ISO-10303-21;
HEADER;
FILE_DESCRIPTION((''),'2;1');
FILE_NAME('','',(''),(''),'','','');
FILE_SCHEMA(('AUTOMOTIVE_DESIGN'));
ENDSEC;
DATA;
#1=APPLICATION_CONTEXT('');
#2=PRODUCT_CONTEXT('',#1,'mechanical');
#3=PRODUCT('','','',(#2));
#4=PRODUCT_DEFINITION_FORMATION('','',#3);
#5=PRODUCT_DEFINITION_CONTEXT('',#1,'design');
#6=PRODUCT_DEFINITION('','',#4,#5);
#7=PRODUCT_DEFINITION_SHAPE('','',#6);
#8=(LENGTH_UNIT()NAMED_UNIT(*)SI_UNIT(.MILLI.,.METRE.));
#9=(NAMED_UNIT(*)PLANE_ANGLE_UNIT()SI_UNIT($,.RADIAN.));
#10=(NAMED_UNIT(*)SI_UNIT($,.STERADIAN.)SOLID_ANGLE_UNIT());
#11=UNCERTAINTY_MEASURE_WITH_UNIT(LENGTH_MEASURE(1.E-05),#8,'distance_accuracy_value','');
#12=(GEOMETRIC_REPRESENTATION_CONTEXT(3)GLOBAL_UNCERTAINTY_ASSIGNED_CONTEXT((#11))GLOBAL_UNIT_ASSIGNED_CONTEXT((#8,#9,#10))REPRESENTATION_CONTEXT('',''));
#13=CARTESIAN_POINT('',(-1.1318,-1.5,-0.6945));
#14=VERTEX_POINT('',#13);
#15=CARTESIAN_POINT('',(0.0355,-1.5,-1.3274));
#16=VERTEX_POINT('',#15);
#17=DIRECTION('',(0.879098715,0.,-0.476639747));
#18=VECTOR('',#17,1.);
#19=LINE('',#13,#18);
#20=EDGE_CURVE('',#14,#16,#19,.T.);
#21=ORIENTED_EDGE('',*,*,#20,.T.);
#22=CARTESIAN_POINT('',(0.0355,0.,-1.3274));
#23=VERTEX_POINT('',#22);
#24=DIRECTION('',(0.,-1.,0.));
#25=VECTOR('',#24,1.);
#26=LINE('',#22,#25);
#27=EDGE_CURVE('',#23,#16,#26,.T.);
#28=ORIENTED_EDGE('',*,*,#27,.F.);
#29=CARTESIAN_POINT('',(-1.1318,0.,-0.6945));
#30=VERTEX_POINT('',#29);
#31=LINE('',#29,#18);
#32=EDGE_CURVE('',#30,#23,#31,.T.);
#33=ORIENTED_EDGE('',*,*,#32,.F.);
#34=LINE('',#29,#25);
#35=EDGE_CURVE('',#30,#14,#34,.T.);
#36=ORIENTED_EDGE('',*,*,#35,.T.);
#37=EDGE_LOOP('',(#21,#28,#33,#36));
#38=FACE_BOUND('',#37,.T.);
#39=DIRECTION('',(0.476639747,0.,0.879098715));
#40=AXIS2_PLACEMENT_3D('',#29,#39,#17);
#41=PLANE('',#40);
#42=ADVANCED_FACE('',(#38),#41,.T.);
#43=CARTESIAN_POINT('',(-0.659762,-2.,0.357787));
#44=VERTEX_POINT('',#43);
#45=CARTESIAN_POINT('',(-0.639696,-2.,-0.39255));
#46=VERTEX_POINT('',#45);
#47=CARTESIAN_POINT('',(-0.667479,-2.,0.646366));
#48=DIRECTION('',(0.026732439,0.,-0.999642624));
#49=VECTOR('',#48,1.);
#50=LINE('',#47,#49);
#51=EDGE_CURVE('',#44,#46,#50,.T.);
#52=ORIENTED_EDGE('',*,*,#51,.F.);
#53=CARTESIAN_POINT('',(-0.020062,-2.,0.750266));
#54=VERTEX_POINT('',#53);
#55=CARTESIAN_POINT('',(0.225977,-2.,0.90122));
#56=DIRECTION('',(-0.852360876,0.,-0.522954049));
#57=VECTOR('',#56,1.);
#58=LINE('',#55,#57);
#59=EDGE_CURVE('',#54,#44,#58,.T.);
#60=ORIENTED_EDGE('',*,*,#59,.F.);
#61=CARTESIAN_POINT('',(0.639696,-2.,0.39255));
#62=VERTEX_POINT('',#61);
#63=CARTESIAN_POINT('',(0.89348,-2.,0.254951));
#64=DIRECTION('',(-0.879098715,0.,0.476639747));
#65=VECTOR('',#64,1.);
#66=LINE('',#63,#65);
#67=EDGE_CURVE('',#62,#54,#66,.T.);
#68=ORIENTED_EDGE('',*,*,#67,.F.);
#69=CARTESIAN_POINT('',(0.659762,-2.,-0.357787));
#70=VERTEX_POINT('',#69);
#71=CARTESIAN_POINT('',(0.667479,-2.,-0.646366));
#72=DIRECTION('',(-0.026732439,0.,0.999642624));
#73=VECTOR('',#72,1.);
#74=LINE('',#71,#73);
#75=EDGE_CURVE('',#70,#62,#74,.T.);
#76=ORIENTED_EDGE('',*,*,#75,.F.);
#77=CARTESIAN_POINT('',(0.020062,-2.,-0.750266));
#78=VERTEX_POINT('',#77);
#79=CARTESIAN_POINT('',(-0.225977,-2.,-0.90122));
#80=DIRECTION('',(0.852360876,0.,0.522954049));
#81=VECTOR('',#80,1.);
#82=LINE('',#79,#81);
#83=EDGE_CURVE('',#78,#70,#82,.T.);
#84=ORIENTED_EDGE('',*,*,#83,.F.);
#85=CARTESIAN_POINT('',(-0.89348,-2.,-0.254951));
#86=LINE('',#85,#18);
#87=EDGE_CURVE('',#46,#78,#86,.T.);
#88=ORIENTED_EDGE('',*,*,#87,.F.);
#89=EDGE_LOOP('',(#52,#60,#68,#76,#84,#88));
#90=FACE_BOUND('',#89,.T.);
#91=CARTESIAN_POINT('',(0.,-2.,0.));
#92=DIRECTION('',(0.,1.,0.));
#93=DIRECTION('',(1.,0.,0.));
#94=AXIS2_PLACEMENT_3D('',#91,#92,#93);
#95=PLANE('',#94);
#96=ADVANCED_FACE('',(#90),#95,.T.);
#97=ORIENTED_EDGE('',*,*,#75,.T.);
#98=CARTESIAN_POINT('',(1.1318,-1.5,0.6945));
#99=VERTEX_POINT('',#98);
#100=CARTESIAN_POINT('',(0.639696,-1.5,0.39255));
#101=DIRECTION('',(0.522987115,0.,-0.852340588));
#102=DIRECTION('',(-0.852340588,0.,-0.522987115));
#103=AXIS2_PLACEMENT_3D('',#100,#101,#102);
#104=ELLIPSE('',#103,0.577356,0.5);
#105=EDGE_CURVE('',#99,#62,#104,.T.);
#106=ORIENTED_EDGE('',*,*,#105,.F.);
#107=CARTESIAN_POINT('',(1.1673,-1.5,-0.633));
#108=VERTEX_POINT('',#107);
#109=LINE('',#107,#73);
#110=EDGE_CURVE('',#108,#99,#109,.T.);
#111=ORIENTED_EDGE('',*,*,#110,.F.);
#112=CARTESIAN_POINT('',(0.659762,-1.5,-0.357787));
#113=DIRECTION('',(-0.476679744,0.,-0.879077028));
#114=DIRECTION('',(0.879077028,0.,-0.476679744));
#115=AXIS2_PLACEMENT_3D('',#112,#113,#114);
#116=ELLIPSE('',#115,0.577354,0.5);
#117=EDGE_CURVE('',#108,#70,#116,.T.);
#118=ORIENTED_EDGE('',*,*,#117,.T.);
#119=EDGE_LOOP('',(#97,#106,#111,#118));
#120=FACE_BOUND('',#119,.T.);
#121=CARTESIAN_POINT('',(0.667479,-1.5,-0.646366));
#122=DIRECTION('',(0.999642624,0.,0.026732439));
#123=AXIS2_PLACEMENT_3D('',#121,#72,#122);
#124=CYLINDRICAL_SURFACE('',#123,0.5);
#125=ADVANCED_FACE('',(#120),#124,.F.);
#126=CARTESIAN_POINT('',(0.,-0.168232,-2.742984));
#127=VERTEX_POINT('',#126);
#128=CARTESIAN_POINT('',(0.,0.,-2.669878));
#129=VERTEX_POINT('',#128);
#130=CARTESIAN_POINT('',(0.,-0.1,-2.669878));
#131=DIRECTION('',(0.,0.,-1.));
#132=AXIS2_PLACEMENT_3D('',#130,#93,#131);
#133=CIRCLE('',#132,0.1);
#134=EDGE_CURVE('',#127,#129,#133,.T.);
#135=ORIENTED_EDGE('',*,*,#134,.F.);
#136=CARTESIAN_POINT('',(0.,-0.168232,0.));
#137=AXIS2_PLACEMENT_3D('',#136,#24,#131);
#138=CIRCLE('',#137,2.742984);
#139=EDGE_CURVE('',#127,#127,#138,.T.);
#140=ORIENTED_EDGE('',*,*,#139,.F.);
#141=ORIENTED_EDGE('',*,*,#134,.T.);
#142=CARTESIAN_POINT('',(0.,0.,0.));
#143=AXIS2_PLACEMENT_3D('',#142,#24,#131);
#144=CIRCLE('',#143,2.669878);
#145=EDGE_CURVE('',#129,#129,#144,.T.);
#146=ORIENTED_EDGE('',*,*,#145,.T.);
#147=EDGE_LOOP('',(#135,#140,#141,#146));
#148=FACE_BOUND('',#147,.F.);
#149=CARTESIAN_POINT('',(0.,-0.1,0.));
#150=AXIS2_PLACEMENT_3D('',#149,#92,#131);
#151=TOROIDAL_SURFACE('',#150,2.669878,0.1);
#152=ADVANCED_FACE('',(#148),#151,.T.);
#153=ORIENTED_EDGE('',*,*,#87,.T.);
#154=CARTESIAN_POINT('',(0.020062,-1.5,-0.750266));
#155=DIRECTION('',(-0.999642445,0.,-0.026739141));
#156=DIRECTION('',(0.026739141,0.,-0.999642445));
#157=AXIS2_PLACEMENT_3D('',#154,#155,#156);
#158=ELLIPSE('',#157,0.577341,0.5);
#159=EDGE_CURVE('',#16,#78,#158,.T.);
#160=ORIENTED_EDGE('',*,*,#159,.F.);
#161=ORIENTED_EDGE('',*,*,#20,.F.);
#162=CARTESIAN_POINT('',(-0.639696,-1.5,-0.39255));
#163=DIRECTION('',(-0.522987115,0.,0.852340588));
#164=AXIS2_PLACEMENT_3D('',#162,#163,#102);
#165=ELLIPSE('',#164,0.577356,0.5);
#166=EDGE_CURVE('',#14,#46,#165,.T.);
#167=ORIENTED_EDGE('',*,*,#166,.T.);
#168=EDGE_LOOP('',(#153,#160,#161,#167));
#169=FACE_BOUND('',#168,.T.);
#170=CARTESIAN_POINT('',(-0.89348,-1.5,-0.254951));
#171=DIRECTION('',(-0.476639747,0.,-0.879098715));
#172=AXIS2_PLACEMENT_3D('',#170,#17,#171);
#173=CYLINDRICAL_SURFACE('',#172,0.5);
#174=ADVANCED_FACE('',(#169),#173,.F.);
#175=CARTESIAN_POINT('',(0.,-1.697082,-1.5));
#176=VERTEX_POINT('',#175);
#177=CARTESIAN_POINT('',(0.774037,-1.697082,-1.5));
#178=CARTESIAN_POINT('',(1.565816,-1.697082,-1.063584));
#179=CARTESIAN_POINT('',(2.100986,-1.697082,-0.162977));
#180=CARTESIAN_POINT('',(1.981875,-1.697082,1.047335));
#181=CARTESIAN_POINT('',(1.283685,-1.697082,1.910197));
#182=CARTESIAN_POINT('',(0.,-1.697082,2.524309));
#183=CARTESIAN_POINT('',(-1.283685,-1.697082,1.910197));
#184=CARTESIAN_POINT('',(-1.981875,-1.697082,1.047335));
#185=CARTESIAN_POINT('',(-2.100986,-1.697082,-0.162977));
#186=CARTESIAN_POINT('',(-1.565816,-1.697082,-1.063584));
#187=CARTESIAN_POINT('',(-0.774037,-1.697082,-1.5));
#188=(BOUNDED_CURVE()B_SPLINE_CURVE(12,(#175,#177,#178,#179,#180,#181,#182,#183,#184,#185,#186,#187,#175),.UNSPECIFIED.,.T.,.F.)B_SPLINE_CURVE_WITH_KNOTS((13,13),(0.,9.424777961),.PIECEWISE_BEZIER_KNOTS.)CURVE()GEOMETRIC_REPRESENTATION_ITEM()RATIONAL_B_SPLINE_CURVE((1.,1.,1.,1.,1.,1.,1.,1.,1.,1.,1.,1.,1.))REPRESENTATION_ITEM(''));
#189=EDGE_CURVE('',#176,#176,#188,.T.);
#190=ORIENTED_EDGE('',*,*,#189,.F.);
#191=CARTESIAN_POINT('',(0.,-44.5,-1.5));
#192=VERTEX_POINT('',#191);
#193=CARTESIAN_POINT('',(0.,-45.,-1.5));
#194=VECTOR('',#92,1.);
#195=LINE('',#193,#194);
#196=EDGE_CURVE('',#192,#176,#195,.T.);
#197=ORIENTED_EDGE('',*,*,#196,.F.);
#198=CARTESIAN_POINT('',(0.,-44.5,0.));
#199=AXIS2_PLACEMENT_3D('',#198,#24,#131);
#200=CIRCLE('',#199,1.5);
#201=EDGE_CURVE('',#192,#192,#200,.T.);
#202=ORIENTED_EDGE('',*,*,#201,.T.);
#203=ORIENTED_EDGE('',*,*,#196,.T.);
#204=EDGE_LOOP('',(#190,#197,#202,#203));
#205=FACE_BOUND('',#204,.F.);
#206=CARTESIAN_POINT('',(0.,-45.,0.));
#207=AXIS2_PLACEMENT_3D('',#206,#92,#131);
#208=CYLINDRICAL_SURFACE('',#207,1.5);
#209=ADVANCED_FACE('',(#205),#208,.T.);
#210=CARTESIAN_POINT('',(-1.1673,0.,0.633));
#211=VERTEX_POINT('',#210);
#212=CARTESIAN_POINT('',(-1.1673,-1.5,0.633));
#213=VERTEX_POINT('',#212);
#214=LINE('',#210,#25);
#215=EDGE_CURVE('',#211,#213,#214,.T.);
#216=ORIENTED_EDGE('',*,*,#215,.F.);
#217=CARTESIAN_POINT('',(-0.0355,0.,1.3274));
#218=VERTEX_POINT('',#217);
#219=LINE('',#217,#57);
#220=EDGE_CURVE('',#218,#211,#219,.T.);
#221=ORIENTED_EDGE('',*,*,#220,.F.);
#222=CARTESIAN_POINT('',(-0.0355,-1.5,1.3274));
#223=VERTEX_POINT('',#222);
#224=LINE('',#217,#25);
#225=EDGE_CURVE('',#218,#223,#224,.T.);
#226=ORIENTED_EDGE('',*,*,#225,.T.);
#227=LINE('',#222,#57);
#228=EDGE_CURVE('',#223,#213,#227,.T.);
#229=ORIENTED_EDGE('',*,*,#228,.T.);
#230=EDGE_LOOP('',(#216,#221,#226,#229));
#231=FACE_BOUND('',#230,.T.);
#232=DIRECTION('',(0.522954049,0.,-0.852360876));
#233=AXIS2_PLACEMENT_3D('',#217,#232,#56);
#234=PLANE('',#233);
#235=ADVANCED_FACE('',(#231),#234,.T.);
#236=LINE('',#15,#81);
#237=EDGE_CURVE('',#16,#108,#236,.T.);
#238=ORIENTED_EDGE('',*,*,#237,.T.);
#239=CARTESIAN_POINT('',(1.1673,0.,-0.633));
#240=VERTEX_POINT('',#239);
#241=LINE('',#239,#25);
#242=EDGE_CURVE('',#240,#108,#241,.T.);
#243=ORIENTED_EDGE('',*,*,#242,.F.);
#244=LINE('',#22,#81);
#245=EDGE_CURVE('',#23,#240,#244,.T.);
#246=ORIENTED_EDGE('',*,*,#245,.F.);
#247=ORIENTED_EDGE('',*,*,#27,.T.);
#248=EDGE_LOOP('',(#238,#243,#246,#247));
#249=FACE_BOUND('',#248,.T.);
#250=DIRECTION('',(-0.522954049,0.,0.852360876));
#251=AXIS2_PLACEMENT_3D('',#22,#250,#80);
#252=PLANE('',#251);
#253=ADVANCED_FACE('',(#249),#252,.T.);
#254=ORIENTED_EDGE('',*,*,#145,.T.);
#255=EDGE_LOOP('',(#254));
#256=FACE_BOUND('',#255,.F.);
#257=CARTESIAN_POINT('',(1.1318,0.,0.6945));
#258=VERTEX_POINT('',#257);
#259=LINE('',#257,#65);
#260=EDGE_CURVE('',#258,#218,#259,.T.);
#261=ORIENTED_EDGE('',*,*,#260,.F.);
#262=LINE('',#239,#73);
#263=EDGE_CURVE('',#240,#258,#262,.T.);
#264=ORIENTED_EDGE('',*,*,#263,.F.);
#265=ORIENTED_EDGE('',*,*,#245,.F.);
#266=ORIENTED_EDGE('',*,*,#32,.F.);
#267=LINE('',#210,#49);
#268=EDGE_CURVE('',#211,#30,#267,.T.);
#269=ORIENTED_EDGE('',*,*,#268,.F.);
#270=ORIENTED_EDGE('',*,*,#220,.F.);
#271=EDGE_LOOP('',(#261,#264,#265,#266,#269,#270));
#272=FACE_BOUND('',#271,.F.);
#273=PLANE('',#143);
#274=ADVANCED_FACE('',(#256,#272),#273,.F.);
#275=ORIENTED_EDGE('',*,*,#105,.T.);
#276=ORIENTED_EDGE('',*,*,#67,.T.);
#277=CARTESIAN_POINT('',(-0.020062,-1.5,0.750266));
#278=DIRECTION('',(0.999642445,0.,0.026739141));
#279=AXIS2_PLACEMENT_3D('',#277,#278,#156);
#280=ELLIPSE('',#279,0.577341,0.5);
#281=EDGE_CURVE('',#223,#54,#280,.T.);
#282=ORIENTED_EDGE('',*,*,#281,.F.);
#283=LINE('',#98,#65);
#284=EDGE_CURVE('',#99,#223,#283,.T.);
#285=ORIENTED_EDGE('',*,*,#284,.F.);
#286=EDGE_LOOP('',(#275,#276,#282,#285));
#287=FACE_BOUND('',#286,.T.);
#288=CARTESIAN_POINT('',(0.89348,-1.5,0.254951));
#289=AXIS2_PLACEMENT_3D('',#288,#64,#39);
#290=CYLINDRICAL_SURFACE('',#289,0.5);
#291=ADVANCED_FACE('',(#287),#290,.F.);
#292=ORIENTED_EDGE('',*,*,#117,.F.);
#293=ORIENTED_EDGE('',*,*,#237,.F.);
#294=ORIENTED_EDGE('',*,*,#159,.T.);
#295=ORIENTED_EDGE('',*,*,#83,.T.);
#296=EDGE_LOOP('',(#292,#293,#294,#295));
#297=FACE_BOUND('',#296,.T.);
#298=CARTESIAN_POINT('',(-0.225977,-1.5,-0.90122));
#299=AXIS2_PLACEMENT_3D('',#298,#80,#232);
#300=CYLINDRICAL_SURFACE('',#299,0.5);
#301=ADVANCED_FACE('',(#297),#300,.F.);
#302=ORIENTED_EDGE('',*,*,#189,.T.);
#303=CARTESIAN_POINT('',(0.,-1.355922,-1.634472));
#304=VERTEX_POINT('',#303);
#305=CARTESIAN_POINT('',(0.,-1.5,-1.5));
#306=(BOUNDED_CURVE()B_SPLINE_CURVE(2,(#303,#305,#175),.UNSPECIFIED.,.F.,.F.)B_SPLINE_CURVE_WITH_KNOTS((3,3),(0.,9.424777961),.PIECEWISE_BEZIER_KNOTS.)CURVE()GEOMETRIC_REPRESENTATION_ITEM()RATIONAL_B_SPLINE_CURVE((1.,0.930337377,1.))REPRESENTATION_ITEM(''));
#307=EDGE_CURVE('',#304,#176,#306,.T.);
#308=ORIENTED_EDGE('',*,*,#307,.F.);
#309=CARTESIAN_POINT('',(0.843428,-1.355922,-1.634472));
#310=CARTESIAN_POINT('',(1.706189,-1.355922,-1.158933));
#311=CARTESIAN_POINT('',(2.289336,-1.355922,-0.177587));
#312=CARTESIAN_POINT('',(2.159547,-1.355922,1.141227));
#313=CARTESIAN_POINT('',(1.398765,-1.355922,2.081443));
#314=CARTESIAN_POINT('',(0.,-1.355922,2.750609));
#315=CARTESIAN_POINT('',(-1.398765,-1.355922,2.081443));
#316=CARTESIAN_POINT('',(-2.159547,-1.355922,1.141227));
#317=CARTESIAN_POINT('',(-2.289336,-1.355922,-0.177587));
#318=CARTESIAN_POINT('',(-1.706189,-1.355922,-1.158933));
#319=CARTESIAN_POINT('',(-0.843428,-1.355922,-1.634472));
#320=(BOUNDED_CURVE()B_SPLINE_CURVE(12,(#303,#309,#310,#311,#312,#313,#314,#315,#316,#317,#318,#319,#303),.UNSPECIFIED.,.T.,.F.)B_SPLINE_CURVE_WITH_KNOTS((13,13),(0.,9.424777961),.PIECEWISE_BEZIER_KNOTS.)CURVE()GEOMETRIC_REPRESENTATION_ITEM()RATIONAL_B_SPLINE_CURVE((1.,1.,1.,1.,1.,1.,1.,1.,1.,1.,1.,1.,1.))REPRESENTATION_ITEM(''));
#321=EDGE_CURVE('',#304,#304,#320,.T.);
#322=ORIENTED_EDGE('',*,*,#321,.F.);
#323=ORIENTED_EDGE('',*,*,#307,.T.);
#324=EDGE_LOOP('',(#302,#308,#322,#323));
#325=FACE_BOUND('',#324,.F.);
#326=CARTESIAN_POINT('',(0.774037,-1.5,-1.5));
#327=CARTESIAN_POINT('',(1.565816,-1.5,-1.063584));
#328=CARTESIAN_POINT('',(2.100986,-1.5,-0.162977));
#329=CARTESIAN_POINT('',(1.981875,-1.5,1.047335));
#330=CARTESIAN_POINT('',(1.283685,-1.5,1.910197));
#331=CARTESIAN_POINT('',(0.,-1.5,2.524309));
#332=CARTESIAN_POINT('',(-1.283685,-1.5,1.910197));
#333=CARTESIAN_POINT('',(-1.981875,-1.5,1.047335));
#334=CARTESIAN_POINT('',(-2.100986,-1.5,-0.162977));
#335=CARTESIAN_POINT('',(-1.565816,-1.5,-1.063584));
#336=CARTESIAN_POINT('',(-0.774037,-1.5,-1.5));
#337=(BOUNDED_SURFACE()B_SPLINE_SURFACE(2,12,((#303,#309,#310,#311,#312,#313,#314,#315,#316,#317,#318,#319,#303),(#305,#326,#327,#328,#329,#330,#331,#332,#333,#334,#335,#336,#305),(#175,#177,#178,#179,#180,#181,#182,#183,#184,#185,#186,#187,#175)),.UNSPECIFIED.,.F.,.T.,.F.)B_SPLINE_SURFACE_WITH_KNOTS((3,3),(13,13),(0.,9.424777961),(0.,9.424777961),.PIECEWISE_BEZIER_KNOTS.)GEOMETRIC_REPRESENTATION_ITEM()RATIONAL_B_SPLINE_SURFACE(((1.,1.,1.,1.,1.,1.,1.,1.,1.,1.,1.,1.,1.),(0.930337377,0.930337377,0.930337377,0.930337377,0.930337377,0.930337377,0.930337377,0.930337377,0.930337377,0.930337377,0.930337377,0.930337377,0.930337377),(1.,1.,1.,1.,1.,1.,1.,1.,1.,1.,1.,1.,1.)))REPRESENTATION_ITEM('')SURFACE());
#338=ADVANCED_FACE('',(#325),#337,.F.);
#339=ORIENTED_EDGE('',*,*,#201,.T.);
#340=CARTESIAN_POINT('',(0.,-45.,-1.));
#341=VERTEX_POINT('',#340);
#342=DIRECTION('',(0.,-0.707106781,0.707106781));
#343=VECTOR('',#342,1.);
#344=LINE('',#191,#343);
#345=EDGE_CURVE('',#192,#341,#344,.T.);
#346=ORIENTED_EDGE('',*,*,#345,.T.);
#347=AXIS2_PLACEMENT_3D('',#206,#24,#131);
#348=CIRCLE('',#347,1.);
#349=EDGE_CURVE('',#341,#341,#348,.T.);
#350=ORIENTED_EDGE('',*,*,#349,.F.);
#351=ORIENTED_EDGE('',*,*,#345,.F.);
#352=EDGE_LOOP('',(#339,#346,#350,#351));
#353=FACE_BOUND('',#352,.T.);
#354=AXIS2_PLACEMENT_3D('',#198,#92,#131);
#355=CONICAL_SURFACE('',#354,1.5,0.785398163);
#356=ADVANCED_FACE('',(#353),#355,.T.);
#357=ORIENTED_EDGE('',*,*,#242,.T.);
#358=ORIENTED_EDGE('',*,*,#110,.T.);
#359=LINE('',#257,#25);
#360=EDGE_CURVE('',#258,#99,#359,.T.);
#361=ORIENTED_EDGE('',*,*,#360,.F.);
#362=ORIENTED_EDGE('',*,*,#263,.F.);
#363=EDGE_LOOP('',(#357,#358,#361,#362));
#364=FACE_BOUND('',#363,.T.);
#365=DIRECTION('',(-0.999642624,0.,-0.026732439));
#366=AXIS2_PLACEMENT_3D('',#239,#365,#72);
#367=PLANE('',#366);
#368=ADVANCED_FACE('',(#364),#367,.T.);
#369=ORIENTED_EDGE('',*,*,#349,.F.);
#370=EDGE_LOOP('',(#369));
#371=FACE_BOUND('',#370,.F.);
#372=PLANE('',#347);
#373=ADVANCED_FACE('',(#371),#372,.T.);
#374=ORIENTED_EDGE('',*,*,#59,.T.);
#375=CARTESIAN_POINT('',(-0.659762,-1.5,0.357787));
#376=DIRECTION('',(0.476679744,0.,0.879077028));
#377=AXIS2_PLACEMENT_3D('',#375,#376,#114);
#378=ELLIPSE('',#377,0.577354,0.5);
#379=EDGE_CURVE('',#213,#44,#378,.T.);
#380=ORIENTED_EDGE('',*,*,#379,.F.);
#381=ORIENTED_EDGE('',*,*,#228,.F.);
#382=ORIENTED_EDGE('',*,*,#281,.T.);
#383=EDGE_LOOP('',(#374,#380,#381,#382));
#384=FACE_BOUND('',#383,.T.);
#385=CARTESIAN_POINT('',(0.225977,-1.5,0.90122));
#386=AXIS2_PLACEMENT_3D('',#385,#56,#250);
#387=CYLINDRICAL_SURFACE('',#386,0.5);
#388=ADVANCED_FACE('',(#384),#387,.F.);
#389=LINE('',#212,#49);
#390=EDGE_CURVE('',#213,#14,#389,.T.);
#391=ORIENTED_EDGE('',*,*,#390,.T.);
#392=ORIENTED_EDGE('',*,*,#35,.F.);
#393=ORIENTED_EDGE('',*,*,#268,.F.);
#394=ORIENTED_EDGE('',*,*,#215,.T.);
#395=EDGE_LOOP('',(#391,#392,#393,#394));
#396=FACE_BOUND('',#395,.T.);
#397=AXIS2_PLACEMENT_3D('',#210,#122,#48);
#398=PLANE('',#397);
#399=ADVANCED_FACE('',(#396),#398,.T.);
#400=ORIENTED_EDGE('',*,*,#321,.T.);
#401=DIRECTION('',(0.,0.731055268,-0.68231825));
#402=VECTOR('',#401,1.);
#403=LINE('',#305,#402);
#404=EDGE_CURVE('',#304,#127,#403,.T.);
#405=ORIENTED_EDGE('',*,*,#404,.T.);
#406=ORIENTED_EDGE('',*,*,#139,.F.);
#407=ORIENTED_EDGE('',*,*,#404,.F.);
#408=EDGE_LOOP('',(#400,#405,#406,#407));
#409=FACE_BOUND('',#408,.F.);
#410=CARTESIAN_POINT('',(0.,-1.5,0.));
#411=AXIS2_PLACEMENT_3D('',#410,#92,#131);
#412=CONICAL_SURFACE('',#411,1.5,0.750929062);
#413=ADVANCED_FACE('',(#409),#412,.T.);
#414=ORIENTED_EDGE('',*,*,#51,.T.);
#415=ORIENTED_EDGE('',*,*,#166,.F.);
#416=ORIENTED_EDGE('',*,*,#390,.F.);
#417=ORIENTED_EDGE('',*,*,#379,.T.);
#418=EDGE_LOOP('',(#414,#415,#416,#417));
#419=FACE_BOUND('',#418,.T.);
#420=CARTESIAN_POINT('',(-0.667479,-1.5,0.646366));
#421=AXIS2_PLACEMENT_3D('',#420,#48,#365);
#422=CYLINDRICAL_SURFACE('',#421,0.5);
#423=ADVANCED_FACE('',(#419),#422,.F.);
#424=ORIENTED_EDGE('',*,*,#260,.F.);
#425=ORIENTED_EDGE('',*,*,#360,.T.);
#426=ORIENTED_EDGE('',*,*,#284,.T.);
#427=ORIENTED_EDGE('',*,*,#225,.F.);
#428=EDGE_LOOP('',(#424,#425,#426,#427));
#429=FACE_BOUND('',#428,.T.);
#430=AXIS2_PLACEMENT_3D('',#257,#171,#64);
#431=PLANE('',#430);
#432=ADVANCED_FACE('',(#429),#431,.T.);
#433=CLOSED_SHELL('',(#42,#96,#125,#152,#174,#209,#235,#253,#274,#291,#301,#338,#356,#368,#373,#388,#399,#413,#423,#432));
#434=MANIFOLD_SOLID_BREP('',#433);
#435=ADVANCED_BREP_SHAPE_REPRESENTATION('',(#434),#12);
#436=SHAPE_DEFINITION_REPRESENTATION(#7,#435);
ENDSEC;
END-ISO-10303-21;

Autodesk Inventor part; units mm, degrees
ref_plane "YZ Plane" through (0, 0, 0) normal (1, 0, 0) x (0, 1, 0)
ref_plane "XZ Plane" through (0, 0, 0) normal (0, 1, 0) x (-1, 0, 0)
ref_plane "XY Plane" through (0, 0, 0) normal (0, 0, 1) x (1, 0, 0)
sketch "Szkic2" plane through (0, 0, 0) normal (1, 0, 0) x (0, 1, 0)
  line L0 (0, -2.9) -> (0, 2.9)
  line L1 (-1.5, -1.5) -> (-1.5, 1.5)
  line L2 (-1.5, -1.5) -> (0, -2.9)
  line L3 (-1.5, 1.5) -> (0, 2.9)
  line L4 (0, 0) -> (-45, 0)
  line L5 (-45, 0) -> (-45, -1.5)
  line L6 (-45, -1.5) -> (-1.5, -1.5)
  dimension "d0" = 5.8
  dimension "d2" = 3
  dimension "d3" = 1.5
  dimension "d4" = 45
  dimension "d5" = 1.5
revolve "Obrót1" add sketch "Szkic2" angle 360 about axis through (0, 0, 0) along (0, -1, 0) contours L2 L1 L4 L0 | L6 L5 L4 L1
sketch "Szkic3" plane through (0, 0, 0) normal (0, 1, 0) x (1, 0, 0)
  line L0 (-1.1673, -0.633) -> (-1.1318, 0.6945)
  line L1 (-1.1318, 0.6945) -> (0.0355, 1.3274)
  line L2 (0.0355, 1.3274) -> (1.1673, 0.633)
  line L3 (1.1673, 0.633) -> (1.1318, -0.6945)
  line L4 (1.1318, -0.6945) -> (-0.0355, -1.3274)
  line L5 (-0.0355, -1.3274) -> (-1.1673, -0.633)
  point P0 (0, 0)
  point P1 (0, 0)
  dimension "d7" = 2.3
extrude "Wyciągnięcie proste1" cut sketch "Szkic3" against normal blind 2
fillet "Zaokrąglenie1" radius 0.5 6 edges at (-1.1496, -2, -0.0308) (-0.6014, -2, 0.9802) (-0.5482, -2, -1.011) (0.6014, -2, -0.9802) (0.5482, -2, 1.011) (1.1496, -2, 0.0308)
fillet "Zaokrąglenie2" radius 0.5 1 edges at (0, -1.5, 1.5)
fillet "Zaokrąglenie3" radius 0.1 1 edges at (0, 0, 2.9)
thread "Gwint1" size "M3x0.5" class "6g" standard "ANSI Metric M Profile" full length
chamfer "Faza1" distance 0.5 angle 45 1 edges at (0, -45, 1.5)
properties part number "Screw M3 45mm flat head"
